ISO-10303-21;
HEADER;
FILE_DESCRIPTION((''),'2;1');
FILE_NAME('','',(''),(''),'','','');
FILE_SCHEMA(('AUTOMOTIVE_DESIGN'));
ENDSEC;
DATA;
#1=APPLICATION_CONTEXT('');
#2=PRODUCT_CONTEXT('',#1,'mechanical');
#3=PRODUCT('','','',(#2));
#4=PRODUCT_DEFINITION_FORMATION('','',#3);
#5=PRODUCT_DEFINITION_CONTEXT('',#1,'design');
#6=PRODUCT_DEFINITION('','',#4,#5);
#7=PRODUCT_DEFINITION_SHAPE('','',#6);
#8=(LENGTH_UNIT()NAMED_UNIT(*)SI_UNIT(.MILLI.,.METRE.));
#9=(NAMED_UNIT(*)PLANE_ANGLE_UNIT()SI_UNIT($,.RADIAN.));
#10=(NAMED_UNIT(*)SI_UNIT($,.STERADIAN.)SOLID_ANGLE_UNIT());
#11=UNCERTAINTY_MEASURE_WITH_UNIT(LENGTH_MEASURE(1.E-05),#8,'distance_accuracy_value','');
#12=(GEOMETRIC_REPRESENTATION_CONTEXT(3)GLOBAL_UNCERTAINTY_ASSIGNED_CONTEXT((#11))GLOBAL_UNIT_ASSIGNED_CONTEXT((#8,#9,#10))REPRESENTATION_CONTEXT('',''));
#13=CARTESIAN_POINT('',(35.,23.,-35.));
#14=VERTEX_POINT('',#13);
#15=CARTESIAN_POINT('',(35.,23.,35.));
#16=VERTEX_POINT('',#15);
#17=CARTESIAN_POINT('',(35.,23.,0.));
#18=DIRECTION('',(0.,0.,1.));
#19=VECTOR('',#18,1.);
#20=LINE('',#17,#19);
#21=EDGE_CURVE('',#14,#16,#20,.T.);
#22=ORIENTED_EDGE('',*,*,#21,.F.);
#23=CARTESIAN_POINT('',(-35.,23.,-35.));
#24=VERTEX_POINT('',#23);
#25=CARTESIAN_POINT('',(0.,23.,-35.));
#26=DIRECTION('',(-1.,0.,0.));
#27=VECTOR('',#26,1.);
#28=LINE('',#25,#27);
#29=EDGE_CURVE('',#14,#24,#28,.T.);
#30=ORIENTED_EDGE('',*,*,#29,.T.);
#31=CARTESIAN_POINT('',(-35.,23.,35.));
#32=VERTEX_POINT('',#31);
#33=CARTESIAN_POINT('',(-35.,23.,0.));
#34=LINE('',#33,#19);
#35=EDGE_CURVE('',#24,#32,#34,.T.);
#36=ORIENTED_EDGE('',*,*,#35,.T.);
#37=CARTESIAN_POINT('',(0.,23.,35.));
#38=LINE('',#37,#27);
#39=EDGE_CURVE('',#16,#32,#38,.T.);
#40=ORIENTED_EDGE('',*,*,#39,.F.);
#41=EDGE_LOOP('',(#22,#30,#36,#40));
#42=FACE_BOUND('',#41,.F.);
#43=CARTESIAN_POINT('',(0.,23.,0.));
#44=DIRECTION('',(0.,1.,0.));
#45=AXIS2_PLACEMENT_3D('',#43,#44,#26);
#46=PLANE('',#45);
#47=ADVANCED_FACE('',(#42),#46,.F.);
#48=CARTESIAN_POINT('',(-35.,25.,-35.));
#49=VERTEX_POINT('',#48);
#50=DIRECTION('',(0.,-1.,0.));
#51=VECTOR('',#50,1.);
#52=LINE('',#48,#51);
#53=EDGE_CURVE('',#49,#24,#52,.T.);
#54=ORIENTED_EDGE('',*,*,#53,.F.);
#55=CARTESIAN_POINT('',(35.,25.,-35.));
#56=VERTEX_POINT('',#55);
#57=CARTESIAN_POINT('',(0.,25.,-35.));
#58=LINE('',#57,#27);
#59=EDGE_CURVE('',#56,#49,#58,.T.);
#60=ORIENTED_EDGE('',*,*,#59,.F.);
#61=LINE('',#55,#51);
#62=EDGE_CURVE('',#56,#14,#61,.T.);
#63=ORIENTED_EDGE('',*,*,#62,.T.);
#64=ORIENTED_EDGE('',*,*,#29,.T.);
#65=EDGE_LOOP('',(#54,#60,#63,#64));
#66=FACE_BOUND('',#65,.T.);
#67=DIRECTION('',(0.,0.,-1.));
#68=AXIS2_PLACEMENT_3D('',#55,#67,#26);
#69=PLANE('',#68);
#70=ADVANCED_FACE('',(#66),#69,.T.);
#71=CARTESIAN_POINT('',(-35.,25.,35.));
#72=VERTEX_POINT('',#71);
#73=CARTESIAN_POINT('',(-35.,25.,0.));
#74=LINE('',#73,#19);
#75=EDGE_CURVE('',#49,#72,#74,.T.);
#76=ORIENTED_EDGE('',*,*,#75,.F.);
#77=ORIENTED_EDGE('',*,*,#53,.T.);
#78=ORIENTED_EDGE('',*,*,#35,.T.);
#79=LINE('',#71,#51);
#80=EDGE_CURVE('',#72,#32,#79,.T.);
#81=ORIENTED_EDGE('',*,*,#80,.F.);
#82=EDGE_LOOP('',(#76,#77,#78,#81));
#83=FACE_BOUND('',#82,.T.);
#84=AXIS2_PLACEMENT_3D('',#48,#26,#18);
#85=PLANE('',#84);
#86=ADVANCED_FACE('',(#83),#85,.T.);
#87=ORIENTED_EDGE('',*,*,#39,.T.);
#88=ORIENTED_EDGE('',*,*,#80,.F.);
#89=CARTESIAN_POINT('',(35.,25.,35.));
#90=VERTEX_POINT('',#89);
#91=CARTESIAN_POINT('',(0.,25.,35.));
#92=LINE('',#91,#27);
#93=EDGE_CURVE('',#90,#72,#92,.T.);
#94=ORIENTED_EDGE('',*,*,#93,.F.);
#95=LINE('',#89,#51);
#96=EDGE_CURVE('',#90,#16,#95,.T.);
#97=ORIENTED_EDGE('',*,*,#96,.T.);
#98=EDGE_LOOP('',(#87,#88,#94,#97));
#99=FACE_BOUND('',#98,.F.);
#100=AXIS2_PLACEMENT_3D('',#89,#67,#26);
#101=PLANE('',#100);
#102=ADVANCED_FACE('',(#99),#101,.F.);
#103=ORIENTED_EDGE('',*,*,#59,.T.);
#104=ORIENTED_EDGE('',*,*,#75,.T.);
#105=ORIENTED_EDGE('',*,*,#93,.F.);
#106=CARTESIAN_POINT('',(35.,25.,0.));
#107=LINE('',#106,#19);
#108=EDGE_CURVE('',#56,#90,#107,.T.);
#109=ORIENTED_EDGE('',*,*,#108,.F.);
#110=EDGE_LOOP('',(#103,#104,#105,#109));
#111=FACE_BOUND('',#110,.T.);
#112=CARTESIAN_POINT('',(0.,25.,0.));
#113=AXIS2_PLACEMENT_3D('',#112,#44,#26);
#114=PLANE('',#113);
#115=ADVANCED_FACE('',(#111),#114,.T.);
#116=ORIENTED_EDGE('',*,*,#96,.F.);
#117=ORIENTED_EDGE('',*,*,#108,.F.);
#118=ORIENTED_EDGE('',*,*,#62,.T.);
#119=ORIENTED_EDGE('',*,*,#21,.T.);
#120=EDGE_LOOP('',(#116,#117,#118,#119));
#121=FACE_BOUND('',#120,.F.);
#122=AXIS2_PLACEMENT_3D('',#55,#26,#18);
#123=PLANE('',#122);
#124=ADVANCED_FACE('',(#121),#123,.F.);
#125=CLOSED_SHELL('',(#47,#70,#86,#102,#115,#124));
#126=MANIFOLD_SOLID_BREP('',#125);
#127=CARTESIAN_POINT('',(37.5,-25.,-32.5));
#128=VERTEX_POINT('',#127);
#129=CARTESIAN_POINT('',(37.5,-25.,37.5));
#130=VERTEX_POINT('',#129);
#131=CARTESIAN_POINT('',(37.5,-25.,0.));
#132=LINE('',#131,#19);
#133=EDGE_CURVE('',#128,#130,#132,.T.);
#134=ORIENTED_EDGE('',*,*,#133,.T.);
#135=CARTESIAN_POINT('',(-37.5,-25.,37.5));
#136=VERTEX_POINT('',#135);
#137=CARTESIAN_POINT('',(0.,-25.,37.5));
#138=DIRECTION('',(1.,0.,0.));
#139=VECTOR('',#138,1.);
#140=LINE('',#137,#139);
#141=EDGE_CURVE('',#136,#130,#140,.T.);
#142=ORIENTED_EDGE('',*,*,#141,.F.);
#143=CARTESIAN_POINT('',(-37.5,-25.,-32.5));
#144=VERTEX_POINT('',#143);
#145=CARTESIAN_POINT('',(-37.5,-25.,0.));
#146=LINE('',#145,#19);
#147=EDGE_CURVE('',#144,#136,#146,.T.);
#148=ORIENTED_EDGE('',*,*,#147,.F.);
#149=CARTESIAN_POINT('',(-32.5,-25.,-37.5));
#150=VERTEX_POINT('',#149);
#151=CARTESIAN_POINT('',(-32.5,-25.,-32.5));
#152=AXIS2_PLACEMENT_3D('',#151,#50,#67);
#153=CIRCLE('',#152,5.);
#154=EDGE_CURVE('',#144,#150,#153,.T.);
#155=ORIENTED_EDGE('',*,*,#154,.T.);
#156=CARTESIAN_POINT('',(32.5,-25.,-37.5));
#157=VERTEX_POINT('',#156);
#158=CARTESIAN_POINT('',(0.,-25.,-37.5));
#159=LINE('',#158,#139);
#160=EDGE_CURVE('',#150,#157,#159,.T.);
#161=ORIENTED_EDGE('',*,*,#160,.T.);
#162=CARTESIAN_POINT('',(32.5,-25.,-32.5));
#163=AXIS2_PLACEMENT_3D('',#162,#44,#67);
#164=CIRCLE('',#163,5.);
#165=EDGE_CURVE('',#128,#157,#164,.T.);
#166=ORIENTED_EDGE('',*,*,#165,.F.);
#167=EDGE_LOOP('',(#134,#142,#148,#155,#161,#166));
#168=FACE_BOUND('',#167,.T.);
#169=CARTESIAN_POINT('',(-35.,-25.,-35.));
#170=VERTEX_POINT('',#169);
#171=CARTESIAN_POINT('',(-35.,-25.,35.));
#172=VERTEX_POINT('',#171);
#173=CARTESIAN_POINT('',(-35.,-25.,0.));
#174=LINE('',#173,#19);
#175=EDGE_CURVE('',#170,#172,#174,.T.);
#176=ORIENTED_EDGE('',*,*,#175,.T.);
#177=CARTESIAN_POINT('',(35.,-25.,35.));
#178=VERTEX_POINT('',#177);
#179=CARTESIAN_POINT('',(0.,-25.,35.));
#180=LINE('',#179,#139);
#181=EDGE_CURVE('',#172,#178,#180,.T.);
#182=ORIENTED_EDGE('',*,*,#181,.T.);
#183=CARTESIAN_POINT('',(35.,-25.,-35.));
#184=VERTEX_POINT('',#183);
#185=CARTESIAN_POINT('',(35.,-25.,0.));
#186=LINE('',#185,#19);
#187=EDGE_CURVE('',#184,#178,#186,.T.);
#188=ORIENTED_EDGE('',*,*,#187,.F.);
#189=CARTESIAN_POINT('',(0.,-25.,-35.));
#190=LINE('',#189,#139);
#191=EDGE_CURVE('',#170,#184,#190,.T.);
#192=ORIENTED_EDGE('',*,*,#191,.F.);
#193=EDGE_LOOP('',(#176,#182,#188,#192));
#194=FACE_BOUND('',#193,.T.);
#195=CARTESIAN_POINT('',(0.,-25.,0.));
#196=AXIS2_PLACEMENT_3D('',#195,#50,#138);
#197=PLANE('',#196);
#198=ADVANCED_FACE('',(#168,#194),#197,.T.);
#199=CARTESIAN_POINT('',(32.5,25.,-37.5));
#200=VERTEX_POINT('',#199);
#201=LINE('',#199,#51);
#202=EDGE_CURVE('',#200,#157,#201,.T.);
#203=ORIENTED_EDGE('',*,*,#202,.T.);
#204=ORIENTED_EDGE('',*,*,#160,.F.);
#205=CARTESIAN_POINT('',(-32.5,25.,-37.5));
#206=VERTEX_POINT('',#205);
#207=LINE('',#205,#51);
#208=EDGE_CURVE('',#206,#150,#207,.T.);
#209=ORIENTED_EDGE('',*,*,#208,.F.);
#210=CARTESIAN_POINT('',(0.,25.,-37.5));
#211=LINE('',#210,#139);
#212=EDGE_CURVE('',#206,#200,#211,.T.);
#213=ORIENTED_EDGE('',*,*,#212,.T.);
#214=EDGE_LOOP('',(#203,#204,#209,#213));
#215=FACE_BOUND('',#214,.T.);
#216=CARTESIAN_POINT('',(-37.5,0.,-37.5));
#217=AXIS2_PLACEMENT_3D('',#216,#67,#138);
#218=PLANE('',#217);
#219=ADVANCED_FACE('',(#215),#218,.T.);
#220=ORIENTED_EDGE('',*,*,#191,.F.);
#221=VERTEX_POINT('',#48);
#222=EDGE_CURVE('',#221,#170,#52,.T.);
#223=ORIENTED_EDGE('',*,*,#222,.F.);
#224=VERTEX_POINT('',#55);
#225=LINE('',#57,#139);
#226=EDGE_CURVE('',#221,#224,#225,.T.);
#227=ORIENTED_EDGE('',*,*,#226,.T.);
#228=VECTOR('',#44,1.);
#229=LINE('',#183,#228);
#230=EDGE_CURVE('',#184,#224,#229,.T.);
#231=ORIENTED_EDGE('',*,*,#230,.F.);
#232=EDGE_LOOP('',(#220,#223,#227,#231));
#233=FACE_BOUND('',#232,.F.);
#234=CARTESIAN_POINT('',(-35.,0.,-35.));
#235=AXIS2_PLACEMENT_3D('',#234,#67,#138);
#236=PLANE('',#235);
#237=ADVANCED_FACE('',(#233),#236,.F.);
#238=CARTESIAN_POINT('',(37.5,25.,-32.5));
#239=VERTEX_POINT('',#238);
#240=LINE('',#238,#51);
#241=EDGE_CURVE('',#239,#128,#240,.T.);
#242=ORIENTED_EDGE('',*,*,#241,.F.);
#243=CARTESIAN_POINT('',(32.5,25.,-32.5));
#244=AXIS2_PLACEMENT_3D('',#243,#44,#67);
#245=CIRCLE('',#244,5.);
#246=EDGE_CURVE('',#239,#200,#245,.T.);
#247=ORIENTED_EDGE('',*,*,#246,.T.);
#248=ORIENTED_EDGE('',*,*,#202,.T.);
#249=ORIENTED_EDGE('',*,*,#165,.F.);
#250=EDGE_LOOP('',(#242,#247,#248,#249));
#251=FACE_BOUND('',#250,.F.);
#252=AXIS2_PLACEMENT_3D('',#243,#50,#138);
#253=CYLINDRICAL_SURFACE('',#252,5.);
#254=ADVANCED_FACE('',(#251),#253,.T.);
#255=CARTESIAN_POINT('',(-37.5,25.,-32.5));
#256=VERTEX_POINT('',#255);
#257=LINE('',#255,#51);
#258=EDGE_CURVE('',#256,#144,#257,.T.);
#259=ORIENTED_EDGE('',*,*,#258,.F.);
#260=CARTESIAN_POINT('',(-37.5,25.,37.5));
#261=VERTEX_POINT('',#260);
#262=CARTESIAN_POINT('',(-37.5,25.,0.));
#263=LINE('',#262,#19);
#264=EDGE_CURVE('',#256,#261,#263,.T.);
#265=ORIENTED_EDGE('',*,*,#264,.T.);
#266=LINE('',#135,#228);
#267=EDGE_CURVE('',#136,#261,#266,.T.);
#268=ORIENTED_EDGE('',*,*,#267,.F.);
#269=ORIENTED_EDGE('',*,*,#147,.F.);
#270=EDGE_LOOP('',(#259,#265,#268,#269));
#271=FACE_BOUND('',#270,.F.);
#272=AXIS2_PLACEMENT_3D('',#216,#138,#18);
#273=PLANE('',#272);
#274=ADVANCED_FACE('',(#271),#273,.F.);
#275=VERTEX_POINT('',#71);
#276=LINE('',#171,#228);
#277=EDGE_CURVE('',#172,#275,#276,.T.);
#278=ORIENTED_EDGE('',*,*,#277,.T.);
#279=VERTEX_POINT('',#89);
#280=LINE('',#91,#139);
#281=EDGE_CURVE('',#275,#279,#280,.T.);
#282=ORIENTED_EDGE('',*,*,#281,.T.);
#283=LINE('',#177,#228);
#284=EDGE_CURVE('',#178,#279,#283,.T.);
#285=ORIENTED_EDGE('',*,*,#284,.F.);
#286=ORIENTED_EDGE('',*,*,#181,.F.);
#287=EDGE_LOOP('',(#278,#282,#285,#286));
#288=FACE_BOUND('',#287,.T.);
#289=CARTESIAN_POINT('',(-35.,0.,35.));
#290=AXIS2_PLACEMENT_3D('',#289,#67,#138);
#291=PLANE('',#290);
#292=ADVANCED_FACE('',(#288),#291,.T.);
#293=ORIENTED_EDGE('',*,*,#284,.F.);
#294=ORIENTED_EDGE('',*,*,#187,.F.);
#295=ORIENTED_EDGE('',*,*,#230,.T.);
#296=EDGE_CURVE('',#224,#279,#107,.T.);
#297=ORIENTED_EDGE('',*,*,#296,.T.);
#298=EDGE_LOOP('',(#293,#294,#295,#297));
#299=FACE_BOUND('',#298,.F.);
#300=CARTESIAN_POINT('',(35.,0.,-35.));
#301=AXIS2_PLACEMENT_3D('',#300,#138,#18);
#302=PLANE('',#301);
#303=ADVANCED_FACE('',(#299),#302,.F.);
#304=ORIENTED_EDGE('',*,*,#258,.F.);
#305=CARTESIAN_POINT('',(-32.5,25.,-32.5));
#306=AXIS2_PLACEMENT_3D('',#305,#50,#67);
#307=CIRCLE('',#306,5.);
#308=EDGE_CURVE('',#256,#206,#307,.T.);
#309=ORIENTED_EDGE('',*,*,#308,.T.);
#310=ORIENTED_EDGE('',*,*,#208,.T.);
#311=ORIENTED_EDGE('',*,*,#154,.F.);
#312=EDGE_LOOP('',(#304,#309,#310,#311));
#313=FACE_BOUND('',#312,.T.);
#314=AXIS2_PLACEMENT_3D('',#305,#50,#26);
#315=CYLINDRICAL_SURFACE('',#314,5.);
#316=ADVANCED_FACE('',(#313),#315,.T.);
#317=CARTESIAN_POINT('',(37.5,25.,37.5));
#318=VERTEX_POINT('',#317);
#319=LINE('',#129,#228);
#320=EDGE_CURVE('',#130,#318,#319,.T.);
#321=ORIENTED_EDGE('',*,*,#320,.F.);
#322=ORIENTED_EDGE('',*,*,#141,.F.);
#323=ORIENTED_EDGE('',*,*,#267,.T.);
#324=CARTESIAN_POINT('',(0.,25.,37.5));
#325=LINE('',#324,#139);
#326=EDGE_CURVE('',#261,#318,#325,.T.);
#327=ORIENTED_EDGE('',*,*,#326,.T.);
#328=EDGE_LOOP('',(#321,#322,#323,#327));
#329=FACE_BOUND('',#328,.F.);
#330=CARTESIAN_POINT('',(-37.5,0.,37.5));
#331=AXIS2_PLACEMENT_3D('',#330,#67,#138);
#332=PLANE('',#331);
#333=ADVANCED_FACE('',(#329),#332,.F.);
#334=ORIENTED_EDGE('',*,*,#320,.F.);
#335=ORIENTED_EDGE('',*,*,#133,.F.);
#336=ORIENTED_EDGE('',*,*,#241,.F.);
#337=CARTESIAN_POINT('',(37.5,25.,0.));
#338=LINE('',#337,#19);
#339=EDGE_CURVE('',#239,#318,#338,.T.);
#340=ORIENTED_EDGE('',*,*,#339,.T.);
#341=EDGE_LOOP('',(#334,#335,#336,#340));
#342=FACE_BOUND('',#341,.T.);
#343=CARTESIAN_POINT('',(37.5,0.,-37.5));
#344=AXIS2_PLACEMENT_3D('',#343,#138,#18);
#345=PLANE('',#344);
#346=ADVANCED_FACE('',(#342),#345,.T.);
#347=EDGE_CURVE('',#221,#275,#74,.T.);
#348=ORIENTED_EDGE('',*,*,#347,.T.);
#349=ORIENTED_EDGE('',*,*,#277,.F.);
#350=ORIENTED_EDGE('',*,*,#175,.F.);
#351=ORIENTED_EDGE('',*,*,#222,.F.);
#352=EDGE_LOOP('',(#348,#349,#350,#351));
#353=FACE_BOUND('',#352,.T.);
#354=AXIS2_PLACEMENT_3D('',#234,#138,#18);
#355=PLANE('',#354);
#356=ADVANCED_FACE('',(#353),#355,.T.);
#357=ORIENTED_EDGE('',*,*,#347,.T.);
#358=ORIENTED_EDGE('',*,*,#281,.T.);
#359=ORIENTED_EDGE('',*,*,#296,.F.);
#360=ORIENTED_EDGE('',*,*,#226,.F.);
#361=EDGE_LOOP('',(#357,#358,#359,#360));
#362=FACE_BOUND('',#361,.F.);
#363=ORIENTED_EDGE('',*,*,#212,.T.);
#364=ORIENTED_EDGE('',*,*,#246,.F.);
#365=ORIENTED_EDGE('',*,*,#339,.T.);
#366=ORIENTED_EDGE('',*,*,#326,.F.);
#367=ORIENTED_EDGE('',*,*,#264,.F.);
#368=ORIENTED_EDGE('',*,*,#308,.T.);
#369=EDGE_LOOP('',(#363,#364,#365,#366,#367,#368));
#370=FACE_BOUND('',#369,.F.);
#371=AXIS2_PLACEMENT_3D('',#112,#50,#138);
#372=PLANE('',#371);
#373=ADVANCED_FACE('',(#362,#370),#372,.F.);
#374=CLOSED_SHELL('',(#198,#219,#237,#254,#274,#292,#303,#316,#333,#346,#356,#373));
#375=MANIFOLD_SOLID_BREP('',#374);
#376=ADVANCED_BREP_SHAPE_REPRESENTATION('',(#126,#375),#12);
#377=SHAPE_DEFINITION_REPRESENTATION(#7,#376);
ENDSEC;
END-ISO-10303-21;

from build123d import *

# Parameters (mm, degrees)
F0_W     = 75
F0_H     = 75
F0_W_2   = 70
F0_H_2   = 70
F1_DEPTH = 25
F2_R     = 5
F3_W     = 70
F3_H     = 70
F4_DEPTH = 2


with BuildPart() as f1:
    # F0 (on Front) → F1 (new body, symmetric)
    with BuildSketch(Plane.XZ):
        Rectangle(F0_W, F0_H)
        Rectangle(F0_W_2, F0_H_2, mode=Mode.SUBTRACT)
    extrude(amount=F1_DEPTH, both=True)

    # F2
    f2_edges = [f1.edges().sort_by_distance(p)[0] for p in [
        (-37.5, 0, -37.5),
        (37.5, 0, -37.5),
    ]]
    fillet(f2_edges, radius=F2_R)


with BuildPart() as f4:
    # F3 (on face) → F4 (new body)
    with BuildSketch(Plane(origin=(0, 25, 0), x_dir=(-1, 0, 0), z_dir=(0, 1, 0))):
        Rectangle(F3_W, F3_H)
    extrude(amount=-F4_DEPTH)


solid = Compound([f1.part, f4.part])
